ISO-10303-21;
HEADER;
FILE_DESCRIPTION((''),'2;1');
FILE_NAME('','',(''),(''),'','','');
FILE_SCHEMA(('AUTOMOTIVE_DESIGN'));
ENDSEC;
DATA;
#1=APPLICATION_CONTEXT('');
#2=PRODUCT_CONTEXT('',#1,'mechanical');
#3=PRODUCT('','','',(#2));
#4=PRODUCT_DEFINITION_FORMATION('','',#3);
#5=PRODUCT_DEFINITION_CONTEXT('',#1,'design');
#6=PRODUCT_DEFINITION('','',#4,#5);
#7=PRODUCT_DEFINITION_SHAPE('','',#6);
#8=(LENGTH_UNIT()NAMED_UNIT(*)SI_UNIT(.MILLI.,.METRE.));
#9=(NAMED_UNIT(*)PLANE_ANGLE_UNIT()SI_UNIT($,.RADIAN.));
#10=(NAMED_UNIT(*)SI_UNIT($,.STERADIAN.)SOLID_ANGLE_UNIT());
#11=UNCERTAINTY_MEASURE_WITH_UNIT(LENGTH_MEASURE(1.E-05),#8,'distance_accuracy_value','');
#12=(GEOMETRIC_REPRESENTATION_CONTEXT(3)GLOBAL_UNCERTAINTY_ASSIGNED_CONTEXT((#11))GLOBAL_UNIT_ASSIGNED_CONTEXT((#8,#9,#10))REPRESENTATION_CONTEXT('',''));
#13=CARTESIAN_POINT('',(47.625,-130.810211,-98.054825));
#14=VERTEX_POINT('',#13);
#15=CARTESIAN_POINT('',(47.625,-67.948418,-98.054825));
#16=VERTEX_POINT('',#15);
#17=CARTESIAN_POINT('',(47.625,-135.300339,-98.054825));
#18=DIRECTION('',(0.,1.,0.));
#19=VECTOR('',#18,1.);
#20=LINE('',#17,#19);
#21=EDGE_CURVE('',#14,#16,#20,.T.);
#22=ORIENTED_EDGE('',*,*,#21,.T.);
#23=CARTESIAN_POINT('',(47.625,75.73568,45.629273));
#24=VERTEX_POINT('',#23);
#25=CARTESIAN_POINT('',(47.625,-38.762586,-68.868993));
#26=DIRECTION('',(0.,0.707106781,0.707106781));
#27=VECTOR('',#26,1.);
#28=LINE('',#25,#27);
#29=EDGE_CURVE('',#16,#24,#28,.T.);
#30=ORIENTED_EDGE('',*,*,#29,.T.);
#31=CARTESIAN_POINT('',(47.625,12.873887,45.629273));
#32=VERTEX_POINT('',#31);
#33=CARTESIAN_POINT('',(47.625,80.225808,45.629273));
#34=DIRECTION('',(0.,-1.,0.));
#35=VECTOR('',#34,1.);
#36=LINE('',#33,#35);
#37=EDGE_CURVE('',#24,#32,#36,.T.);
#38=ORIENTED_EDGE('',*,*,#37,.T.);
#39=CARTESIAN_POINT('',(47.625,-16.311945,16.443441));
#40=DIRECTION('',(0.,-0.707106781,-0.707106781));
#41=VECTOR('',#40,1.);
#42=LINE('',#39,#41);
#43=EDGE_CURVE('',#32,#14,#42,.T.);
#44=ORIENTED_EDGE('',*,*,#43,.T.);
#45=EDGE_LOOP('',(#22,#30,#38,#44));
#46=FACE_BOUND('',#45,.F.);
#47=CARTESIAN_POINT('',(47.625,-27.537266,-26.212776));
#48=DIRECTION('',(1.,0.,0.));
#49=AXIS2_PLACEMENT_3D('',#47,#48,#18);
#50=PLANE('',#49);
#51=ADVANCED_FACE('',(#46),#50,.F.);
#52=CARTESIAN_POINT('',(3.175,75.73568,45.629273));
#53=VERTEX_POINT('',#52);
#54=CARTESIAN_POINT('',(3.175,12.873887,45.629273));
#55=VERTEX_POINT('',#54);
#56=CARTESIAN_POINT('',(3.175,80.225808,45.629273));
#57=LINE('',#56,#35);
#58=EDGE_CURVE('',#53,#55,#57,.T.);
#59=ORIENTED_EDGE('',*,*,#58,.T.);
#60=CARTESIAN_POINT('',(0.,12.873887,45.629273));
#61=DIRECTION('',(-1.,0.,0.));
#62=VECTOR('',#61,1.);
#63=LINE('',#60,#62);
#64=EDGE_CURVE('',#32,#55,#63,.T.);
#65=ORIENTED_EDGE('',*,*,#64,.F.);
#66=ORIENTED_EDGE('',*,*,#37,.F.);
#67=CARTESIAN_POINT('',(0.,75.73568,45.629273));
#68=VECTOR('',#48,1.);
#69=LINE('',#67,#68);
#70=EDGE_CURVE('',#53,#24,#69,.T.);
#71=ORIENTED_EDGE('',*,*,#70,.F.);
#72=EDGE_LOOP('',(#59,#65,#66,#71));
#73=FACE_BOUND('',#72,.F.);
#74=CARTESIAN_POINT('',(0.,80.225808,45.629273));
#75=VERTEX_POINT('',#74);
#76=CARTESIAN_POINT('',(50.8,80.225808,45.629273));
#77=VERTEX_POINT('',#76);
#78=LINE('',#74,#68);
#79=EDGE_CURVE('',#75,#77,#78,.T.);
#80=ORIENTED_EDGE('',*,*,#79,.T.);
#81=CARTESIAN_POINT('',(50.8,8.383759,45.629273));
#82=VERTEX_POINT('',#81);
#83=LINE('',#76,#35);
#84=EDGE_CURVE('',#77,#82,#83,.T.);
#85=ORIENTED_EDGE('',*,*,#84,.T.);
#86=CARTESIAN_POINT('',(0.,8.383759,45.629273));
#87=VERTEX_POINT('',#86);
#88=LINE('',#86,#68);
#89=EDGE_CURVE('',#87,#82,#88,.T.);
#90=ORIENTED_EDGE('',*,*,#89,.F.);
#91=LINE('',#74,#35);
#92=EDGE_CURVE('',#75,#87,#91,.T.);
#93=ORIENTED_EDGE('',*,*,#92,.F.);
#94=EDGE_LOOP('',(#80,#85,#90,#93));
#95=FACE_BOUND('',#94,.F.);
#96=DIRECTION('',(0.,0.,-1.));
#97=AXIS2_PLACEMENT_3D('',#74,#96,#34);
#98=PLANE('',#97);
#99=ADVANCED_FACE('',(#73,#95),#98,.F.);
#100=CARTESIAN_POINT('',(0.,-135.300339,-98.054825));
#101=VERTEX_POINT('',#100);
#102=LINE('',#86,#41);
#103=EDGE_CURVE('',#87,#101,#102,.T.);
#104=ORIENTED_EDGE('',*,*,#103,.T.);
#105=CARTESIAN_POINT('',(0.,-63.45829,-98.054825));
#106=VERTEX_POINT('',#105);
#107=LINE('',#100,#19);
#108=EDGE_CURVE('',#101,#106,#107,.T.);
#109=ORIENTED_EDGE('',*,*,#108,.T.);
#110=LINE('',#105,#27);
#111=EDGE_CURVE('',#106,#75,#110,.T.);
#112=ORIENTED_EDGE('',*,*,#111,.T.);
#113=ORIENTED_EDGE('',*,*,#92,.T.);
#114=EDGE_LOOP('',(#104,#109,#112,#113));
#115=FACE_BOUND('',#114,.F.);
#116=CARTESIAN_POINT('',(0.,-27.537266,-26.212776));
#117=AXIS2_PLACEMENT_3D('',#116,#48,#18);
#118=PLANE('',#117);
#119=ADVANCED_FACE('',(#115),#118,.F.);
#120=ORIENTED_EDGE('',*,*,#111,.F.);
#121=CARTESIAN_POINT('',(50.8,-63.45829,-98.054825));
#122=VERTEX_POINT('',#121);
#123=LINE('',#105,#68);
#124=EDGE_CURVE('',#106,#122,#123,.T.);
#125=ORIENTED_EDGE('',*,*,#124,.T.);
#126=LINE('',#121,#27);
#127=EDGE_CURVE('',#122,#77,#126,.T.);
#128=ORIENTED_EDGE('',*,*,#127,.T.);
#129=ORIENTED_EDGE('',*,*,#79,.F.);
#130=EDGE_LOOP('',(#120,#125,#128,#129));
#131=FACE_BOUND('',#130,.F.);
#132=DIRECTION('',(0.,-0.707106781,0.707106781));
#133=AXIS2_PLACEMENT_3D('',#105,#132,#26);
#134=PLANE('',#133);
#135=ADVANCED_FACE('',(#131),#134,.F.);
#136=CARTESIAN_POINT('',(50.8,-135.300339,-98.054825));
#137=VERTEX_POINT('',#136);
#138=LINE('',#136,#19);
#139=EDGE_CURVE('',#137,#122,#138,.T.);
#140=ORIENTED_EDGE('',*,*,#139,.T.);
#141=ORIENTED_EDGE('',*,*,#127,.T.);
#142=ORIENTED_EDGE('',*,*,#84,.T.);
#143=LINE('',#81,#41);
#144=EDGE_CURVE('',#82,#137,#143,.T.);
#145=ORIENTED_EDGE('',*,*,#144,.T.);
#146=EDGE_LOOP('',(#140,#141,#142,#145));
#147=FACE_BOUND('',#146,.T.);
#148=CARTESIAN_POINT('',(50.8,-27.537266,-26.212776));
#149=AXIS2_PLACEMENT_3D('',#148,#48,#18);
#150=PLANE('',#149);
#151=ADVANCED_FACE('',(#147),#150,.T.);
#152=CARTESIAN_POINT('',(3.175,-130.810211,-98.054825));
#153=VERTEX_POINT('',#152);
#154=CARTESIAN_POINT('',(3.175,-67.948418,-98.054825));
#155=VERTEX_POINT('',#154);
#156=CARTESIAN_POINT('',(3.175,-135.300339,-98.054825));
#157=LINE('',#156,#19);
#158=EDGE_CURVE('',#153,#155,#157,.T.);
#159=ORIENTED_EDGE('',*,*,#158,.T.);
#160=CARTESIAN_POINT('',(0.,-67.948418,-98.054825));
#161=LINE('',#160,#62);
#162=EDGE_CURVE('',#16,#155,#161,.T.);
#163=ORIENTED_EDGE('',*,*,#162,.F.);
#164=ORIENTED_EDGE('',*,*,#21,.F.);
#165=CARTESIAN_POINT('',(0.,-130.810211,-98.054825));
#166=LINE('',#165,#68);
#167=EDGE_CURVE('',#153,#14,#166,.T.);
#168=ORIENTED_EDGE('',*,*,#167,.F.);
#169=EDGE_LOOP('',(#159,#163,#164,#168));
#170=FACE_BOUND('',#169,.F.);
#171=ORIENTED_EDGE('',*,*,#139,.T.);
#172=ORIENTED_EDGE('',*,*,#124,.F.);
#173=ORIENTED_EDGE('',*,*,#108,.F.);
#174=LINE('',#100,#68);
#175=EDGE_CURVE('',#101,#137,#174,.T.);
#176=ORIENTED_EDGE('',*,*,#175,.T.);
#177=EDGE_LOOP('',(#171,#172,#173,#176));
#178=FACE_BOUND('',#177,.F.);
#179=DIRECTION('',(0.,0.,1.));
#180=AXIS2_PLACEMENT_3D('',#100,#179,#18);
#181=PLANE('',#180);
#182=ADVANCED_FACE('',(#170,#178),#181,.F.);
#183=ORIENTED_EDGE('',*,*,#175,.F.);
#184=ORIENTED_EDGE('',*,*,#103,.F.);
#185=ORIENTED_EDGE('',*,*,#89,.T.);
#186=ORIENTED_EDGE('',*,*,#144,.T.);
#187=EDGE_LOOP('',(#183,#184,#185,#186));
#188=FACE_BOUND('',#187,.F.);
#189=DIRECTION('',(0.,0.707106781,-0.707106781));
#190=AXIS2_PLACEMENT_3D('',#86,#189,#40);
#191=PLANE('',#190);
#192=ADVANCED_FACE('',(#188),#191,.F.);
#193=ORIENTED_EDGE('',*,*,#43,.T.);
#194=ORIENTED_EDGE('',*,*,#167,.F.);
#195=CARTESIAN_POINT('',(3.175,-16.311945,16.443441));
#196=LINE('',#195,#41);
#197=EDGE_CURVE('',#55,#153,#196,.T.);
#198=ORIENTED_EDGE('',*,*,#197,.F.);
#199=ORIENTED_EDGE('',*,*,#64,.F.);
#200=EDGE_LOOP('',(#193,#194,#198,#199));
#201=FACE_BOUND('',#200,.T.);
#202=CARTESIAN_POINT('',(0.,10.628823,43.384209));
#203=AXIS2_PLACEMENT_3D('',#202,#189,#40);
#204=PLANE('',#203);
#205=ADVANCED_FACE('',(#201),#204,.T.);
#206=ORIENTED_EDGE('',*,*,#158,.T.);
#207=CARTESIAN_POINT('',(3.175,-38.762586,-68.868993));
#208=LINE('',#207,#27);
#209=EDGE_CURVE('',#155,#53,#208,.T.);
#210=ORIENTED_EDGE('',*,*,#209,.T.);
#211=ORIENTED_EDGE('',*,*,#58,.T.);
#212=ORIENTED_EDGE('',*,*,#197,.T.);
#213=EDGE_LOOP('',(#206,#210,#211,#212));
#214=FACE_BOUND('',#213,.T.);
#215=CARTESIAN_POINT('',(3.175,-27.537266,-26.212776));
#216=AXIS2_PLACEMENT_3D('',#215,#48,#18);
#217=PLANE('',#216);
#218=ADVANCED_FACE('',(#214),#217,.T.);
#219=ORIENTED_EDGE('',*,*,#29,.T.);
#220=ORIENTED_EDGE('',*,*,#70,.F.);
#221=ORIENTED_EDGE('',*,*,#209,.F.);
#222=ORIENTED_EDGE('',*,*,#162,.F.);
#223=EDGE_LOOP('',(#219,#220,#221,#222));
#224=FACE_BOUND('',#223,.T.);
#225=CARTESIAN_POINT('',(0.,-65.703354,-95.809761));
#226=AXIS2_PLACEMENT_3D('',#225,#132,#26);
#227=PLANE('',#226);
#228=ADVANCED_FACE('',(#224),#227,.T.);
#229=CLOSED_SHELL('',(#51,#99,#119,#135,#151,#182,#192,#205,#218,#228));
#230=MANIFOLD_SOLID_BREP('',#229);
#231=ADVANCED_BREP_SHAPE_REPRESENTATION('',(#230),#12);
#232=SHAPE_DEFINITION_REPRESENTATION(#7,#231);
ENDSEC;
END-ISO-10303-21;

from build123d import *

# Parameters (mm, degrees)
F1_DEPTH = 50.8
F2_T     = -3.175


with BuildPart() as f1:
    # F0 (on Right) → F1 (new body)
    with BuildSketch(Plane.YZ):
        Polygon((80.225808, 45.629273), (8.383759, 45.629273), (-135.300339, -98.054825), (-63.45829, -98.054825), align=None)
    extrude(amount=F1_DEPTH)

    # F2
    f2_openings = [f1.faces().sort_by_distance(p)[0] for p in [
        (25.4, 44.304783, 45.629273),
        (25.4, -99.379315, -98.054825),
    ]]
    offset(amount=F2_T, openings=f2_openings)


solid = f1.part
